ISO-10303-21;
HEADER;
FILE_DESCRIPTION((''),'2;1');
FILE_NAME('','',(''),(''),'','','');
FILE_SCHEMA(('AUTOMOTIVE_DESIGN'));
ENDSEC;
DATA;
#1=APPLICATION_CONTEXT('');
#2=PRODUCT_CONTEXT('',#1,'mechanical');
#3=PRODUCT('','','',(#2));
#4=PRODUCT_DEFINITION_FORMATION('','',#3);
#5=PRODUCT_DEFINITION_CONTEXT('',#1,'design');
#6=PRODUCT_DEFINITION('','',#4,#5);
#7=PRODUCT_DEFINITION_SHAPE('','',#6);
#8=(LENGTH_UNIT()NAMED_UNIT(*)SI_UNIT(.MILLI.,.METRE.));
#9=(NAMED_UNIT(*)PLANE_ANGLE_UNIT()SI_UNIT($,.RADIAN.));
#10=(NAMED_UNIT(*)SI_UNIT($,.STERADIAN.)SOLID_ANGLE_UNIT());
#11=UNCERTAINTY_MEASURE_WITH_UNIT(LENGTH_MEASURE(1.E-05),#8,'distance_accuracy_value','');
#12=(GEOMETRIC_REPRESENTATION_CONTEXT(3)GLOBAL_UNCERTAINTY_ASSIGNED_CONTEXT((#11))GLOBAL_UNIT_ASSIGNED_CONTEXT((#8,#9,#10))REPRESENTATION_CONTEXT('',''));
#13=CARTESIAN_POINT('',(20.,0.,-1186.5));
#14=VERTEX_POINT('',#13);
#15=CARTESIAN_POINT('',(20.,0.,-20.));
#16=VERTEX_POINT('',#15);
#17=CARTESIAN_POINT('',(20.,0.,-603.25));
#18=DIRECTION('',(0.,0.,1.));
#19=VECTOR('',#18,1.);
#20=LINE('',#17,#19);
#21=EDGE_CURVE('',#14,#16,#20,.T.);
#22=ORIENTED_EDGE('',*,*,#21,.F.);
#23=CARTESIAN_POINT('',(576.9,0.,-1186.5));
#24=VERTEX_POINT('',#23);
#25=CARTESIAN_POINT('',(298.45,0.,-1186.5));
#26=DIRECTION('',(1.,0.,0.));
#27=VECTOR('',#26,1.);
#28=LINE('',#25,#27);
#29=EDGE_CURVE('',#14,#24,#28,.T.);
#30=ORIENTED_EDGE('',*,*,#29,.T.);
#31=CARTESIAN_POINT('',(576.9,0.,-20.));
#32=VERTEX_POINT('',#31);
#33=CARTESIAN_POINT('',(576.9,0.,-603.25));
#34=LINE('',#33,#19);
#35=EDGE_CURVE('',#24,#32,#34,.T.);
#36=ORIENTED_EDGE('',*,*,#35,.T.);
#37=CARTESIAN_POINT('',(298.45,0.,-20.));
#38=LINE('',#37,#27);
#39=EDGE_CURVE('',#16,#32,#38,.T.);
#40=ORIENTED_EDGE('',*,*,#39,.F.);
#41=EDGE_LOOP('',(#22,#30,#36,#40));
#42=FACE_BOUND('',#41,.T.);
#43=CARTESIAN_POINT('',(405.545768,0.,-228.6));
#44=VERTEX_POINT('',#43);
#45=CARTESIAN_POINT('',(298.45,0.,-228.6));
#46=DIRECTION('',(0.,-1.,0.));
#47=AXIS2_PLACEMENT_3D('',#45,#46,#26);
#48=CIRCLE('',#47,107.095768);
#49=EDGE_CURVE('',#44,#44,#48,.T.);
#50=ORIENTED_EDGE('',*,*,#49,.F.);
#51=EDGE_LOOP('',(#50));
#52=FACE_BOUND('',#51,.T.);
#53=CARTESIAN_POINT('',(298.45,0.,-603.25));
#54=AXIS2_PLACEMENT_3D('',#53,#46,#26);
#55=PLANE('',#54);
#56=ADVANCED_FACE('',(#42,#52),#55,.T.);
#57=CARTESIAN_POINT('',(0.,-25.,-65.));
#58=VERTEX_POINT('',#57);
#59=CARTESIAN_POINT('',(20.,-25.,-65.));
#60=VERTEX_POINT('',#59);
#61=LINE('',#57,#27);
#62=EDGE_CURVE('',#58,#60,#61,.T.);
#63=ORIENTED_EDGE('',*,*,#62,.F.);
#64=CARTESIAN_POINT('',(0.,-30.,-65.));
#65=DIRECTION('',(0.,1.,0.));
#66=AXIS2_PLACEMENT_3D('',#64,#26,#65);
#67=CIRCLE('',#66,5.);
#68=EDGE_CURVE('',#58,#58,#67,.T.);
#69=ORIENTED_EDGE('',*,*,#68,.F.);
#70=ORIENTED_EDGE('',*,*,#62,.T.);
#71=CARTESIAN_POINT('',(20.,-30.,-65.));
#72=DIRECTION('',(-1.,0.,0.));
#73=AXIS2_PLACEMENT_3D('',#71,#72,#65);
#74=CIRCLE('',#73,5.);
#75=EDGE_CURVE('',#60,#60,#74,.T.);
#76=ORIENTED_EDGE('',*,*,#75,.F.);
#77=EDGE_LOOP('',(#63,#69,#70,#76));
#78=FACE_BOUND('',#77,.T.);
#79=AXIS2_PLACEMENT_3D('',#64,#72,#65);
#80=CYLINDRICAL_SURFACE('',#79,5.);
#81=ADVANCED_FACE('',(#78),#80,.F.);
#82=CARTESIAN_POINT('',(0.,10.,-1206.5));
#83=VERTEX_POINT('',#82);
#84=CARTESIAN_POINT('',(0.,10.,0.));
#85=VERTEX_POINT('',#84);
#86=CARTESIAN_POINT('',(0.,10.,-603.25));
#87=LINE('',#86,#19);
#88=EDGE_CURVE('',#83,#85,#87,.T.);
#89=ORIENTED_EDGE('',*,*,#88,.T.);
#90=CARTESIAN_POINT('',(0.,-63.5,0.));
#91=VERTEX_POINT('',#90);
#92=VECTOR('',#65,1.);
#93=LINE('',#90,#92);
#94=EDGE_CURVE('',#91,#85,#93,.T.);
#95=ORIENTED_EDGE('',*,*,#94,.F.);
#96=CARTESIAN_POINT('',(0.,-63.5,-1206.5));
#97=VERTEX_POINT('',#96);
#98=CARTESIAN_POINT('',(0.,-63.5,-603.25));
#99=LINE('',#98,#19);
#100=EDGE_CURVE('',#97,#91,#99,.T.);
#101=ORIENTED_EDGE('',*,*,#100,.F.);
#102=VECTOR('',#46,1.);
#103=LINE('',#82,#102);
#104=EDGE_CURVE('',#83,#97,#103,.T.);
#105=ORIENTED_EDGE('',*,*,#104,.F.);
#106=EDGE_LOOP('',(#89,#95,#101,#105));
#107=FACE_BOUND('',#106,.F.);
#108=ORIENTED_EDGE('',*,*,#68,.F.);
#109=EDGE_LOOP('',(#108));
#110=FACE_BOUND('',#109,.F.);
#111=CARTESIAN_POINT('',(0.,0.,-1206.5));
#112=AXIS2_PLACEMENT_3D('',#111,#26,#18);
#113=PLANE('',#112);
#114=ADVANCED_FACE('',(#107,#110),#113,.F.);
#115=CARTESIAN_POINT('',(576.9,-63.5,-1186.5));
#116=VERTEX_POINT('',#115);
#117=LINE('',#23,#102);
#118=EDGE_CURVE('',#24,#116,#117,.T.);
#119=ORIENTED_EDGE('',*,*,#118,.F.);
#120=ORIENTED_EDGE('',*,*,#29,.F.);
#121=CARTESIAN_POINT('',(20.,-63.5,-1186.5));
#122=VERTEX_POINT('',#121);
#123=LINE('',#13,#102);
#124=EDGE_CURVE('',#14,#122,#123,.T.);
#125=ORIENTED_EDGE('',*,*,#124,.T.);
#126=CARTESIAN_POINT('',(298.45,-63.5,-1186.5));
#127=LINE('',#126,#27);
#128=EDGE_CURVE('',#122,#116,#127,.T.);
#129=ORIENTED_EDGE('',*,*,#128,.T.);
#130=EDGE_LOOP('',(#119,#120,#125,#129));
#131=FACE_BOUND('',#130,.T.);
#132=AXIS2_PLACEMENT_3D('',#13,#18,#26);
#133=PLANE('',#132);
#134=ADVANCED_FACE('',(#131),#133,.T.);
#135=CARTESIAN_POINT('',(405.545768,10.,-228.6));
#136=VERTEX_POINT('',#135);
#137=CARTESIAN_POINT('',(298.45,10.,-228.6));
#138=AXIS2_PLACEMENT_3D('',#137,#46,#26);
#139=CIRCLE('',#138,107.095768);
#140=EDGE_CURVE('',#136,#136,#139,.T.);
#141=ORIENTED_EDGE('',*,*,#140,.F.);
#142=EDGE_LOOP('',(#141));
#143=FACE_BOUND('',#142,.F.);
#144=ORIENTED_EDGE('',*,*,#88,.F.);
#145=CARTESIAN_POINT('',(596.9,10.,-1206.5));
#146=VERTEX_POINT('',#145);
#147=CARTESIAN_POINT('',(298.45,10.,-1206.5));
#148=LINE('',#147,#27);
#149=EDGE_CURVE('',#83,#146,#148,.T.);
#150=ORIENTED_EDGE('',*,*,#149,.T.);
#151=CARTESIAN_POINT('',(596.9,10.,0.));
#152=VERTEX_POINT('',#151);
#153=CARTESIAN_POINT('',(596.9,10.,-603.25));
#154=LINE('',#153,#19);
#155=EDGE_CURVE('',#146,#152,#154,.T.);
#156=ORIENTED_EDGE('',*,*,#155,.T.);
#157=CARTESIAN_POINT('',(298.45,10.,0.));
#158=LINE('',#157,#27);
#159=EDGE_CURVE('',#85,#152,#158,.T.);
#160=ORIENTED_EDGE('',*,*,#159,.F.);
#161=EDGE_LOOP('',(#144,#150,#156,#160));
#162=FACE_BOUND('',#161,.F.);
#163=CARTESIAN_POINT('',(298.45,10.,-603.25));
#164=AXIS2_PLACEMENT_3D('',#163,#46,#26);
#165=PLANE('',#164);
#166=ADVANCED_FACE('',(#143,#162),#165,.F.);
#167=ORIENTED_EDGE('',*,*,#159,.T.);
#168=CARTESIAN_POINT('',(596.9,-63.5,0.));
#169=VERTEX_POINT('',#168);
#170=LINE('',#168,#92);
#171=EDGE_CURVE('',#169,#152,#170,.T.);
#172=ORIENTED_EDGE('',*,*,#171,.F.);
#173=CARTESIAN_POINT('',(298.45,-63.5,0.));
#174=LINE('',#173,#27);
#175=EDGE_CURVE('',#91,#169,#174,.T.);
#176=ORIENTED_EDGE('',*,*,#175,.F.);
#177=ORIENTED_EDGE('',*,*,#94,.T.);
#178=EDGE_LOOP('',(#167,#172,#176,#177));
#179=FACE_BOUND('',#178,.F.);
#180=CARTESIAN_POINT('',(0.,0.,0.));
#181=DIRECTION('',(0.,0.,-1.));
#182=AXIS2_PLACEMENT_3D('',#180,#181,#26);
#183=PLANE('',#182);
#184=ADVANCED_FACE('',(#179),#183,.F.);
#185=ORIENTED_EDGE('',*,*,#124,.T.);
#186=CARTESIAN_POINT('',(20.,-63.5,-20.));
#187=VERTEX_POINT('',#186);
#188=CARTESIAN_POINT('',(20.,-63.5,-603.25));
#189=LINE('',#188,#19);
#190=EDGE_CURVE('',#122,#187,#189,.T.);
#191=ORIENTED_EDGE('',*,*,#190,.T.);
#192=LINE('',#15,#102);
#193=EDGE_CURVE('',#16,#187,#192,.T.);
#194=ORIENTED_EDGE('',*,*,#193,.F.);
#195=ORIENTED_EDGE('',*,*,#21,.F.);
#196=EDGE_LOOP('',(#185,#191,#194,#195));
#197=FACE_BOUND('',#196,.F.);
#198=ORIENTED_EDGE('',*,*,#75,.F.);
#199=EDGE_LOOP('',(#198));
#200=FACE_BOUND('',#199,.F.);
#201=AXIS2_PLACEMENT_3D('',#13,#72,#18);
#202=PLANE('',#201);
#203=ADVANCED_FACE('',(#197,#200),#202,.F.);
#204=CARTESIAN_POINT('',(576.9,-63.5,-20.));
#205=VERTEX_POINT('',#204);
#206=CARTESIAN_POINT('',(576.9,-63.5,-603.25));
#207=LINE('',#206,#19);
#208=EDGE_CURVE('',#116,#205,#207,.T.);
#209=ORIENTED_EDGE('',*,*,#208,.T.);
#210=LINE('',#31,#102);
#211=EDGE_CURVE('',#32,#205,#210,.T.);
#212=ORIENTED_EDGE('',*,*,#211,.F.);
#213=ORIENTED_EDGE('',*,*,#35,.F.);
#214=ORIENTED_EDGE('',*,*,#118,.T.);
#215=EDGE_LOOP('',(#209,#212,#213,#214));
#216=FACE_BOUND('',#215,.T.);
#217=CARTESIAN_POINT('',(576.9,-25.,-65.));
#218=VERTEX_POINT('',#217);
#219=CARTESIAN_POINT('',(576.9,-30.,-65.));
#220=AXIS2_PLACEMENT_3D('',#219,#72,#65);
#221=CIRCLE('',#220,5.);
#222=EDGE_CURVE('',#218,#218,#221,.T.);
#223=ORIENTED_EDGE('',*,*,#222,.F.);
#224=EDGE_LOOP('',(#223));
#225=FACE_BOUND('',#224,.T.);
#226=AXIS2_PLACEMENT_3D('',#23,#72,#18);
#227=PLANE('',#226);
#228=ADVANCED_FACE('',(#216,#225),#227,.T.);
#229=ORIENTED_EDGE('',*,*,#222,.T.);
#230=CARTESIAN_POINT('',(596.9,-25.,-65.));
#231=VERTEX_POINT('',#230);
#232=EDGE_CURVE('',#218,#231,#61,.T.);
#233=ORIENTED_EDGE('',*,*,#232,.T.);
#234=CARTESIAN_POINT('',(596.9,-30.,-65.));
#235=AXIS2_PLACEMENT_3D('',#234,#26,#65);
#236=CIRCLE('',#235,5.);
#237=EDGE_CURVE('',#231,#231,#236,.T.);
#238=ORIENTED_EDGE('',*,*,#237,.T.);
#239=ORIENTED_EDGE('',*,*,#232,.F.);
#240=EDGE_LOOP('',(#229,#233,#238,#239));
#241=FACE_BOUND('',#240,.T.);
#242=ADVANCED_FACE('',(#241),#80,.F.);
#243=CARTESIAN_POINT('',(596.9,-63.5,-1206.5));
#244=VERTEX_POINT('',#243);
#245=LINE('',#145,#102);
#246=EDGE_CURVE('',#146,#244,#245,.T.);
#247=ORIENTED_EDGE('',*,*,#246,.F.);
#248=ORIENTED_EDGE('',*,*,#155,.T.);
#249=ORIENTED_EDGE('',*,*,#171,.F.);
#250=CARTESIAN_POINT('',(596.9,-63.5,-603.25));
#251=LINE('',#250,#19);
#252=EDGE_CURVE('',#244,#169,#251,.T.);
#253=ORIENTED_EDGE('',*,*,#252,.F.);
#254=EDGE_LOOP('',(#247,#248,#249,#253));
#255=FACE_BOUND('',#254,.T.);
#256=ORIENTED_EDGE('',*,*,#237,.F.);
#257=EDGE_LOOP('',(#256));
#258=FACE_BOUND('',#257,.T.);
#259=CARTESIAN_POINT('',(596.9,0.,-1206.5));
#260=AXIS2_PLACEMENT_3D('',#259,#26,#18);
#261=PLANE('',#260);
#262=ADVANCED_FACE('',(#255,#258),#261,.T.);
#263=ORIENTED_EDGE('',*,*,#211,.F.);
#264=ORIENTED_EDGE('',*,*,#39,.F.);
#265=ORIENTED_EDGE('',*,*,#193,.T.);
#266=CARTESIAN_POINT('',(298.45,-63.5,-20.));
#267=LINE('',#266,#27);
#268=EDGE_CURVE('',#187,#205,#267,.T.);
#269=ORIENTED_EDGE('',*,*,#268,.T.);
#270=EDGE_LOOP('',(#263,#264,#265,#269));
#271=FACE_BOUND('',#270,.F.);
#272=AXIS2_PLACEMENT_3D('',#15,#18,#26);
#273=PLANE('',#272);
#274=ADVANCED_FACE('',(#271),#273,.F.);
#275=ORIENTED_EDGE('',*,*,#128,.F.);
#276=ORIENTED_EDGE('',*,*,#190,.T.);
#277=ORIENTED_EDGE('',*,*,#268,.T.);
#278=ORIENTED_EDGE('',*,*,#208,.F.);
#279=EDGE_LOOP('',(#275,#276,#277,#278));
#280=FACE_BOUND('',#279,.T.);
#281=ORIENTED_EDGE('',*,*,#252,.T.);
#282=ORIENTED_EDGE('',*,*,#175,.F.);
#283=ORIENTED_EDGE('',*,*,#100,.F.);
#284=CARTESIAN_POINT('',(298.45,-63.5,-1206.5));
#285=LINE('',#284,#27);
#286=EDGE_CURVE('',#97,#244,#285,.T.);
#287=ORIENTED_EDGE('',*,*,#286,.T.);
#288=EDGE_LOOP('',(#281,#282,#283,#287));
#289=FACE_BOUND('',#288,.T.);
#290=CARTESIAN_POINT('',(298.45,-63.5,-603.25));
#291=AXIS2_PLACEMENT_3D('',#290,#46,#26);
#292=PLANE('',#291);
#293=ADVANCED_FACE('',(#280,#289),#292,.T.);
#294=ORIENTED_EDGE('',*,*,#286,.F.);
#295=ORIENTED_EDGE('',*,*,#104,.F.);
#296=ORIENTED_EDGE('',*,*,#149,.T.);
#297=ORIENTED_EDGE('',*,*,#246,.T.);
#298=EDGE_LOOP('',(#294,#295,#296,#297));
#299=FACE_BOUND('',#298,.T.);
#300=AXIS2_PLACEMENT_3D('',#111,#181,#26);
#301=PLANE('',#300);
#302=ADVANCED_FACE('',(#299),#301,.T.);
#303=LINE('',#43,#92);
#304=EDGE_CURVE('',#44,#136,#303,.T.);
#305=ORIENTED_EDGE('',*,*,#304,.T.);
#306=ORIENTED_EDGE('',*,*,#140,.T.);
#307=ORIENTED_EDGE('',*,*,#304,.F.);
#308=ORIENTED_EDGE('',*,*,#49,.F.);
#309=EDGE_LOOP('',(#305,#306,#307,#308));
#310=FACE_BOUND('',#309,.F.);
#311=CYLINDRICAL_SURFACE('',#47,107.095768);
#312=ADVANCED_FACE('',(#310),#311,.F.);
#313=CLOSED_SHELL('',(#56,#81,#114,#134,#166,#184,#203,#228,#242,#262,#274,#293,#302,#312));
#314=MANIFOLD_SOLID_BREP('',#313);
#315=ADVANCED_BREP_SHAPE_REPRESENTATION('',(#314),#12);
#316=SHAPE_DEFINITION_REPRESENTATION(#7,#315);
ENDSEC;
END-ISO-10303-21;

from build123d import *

# Parameters (mm, degrees)
F0_W     = 596.9
F0_H     = 1206.5
F0_W_2   = 556.9
F0_H_2   = 1166.5
F1_DEPTH = 63.5
F2_W     = 596.9
F2_H     = 1206.5
F2_R     = 107.095768
F3_DEPTH = 10
F4_R     = 5
F5_DEPTH = 596.9


with BuildPart() as f1:
    # F0 (on Front) → F1 (new body)
    with BuildSketch(Plane.XZ):
        with Locations((298.45, -603.25)):
            Rectangle(F0_W, F0_H)
        with Locations((298.45, -603.25)):
            Rectangle(F0_W_2, F0_H_2, mode=Mode.SUBTRACT)
    extrude(amount=F1_DEPTH)

    # F2 (on Front) → F3 (join)
    with BuildSketch(Plane.XZ):
        with Locations((298.45, -603.25)):
            Rectangle(F2_W, F2_H)
        with Locations((298.45, -228.6)):
            Circle(F2_R, mode=Mode.SUBTRACT)
    extrude(amount=-F3_DEPTH)

    # F4 (on Right) → F5 (cut, through all)
    with BuildSketch(Plane.YZ):
        with Locations((-30, -65)):
            Circle(F4_R)
    extrude(amount=F5_DEPTH, mode=Mode.SUBTRACT)


solid = f1.part
